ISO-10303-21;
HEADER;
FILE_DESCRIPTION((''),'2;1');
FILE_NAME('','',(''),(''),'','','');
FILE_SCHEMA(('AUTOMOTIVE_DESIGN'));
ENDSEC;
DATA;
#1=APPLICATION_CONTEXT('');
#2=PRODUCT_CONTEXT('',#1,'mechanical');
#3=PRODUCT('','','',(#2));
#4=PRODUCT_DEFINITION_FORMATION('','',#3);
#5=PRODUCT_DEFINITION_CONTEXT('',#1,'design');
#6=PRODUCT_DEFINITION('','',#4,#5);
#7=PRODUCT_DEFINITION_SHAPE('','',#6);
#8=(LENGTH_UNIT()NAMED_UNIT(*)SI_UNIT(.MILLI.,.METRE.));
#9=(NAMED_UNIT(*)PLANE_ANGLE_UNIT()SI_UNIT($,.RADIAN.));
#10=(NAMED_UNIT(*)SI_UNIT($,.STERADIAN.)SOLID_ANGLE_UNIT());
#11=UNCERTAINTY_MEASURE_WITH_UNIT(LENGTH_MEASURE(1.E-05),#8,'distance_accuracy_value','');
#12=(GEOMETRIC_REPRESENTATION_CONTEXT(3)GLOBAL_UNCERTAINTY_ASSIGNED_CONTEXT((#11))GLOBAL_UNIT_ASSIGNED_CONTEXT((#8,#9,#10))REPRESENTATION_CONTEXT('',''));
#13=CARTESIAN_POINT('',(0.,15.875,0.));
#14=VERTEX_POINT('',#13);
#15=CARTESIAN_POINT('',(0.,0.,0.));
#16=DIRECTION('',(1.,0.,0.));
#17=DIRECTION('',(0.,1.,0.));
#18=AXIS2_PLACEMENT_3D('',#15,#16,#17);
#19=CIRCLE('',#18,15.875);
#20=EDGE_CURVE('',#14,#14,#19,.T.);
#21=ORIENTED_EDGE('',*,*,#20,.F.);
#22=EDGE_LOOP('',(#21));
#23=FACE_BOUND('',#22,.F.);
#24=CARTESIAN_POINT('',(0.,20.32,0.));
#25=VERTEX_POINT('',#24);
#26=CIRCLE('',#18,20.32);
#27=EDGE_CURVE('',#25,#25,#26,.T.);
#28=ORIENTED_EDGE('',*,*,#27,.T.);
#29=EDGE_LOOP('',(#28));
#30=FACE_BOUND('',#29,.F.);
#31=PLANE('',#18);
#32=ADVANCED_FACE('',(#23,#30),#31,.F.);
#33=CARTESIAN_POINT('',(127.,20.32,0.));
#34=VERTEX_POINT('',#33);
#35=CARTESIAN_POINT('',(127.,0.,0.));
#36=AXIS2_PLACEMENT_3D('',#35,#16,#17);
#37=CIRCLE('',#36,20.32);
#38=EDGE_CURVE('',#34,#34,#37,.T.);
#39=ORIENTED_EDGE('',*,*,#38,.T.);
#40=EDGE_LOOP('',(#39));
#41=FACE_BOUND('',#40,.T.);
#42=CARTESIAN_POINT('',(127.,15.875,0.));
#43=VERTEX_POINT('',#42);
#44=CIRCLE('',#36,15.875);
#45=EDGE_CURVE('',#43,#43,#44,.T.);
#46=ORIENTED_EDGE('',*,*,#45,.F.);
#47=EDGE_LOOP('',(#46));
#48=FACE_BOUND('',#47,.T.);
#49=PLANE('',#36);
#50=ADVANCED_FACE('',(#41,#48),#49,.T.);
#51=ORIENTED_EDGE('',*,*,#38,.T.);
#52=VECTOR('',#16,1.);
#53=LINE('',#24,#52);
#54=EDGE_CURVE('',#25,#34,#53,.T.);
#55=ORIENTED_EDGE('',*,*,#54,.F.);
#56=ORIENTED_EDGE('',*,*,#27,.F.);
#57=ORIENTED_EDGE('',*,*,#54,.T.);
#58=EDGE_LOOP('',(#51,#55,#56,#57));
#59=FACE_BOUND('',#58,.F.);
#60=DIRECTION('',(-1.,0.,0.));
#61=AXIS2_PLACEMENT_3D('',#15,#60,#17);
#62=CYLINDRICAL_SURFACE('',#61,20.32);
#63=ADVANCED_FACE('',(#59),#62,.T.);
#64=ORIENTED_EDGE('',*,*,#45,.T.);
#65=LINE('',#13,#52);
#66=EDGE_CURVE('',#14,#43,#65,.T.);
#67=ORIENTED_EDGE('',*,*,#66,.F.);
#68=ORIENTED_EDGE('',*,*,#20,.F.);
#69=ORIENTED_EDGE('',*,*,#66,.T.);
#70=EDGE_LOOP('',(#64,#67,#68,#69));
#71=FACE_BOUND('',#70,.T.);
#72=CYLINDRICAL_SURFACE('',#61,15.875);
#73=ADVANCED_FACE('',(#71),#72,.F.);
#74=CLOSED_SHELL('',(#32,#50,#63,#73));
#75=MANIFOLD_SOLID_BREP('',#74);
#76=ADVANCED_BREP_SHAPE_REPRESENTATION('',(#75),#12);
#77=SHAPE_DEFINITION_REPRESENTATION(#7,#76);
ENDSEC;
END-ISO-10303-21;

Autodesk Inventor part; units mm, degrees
ref_plane "YZ Plane" through (0, 0, 0) normal (1, 0, 0) x (0, 1, 0)
ref_plane "XZ Plane" through (0, 0, 0) normal (0, 1, 0) x (-1, 0, 0)
ref_plane "XY Plane" through (0, 0, 0) normal (0, 0, 1) x (1, 0, 0)
sketch "Sketch1" plane through (0, 0, 0) normal (1, 0, 0) x (0, 1, 0)
  circle A0 centre (0, 0) radius 20.32
  circle A1 centre (0, 0) radius 15.875
  dimension "d0" = 40.64
  dimension "d2" = 31.75
extrude "Extrusion1" add sketch "Sketch1" along normal blind 127
properties part number "Shooting_Roller"
